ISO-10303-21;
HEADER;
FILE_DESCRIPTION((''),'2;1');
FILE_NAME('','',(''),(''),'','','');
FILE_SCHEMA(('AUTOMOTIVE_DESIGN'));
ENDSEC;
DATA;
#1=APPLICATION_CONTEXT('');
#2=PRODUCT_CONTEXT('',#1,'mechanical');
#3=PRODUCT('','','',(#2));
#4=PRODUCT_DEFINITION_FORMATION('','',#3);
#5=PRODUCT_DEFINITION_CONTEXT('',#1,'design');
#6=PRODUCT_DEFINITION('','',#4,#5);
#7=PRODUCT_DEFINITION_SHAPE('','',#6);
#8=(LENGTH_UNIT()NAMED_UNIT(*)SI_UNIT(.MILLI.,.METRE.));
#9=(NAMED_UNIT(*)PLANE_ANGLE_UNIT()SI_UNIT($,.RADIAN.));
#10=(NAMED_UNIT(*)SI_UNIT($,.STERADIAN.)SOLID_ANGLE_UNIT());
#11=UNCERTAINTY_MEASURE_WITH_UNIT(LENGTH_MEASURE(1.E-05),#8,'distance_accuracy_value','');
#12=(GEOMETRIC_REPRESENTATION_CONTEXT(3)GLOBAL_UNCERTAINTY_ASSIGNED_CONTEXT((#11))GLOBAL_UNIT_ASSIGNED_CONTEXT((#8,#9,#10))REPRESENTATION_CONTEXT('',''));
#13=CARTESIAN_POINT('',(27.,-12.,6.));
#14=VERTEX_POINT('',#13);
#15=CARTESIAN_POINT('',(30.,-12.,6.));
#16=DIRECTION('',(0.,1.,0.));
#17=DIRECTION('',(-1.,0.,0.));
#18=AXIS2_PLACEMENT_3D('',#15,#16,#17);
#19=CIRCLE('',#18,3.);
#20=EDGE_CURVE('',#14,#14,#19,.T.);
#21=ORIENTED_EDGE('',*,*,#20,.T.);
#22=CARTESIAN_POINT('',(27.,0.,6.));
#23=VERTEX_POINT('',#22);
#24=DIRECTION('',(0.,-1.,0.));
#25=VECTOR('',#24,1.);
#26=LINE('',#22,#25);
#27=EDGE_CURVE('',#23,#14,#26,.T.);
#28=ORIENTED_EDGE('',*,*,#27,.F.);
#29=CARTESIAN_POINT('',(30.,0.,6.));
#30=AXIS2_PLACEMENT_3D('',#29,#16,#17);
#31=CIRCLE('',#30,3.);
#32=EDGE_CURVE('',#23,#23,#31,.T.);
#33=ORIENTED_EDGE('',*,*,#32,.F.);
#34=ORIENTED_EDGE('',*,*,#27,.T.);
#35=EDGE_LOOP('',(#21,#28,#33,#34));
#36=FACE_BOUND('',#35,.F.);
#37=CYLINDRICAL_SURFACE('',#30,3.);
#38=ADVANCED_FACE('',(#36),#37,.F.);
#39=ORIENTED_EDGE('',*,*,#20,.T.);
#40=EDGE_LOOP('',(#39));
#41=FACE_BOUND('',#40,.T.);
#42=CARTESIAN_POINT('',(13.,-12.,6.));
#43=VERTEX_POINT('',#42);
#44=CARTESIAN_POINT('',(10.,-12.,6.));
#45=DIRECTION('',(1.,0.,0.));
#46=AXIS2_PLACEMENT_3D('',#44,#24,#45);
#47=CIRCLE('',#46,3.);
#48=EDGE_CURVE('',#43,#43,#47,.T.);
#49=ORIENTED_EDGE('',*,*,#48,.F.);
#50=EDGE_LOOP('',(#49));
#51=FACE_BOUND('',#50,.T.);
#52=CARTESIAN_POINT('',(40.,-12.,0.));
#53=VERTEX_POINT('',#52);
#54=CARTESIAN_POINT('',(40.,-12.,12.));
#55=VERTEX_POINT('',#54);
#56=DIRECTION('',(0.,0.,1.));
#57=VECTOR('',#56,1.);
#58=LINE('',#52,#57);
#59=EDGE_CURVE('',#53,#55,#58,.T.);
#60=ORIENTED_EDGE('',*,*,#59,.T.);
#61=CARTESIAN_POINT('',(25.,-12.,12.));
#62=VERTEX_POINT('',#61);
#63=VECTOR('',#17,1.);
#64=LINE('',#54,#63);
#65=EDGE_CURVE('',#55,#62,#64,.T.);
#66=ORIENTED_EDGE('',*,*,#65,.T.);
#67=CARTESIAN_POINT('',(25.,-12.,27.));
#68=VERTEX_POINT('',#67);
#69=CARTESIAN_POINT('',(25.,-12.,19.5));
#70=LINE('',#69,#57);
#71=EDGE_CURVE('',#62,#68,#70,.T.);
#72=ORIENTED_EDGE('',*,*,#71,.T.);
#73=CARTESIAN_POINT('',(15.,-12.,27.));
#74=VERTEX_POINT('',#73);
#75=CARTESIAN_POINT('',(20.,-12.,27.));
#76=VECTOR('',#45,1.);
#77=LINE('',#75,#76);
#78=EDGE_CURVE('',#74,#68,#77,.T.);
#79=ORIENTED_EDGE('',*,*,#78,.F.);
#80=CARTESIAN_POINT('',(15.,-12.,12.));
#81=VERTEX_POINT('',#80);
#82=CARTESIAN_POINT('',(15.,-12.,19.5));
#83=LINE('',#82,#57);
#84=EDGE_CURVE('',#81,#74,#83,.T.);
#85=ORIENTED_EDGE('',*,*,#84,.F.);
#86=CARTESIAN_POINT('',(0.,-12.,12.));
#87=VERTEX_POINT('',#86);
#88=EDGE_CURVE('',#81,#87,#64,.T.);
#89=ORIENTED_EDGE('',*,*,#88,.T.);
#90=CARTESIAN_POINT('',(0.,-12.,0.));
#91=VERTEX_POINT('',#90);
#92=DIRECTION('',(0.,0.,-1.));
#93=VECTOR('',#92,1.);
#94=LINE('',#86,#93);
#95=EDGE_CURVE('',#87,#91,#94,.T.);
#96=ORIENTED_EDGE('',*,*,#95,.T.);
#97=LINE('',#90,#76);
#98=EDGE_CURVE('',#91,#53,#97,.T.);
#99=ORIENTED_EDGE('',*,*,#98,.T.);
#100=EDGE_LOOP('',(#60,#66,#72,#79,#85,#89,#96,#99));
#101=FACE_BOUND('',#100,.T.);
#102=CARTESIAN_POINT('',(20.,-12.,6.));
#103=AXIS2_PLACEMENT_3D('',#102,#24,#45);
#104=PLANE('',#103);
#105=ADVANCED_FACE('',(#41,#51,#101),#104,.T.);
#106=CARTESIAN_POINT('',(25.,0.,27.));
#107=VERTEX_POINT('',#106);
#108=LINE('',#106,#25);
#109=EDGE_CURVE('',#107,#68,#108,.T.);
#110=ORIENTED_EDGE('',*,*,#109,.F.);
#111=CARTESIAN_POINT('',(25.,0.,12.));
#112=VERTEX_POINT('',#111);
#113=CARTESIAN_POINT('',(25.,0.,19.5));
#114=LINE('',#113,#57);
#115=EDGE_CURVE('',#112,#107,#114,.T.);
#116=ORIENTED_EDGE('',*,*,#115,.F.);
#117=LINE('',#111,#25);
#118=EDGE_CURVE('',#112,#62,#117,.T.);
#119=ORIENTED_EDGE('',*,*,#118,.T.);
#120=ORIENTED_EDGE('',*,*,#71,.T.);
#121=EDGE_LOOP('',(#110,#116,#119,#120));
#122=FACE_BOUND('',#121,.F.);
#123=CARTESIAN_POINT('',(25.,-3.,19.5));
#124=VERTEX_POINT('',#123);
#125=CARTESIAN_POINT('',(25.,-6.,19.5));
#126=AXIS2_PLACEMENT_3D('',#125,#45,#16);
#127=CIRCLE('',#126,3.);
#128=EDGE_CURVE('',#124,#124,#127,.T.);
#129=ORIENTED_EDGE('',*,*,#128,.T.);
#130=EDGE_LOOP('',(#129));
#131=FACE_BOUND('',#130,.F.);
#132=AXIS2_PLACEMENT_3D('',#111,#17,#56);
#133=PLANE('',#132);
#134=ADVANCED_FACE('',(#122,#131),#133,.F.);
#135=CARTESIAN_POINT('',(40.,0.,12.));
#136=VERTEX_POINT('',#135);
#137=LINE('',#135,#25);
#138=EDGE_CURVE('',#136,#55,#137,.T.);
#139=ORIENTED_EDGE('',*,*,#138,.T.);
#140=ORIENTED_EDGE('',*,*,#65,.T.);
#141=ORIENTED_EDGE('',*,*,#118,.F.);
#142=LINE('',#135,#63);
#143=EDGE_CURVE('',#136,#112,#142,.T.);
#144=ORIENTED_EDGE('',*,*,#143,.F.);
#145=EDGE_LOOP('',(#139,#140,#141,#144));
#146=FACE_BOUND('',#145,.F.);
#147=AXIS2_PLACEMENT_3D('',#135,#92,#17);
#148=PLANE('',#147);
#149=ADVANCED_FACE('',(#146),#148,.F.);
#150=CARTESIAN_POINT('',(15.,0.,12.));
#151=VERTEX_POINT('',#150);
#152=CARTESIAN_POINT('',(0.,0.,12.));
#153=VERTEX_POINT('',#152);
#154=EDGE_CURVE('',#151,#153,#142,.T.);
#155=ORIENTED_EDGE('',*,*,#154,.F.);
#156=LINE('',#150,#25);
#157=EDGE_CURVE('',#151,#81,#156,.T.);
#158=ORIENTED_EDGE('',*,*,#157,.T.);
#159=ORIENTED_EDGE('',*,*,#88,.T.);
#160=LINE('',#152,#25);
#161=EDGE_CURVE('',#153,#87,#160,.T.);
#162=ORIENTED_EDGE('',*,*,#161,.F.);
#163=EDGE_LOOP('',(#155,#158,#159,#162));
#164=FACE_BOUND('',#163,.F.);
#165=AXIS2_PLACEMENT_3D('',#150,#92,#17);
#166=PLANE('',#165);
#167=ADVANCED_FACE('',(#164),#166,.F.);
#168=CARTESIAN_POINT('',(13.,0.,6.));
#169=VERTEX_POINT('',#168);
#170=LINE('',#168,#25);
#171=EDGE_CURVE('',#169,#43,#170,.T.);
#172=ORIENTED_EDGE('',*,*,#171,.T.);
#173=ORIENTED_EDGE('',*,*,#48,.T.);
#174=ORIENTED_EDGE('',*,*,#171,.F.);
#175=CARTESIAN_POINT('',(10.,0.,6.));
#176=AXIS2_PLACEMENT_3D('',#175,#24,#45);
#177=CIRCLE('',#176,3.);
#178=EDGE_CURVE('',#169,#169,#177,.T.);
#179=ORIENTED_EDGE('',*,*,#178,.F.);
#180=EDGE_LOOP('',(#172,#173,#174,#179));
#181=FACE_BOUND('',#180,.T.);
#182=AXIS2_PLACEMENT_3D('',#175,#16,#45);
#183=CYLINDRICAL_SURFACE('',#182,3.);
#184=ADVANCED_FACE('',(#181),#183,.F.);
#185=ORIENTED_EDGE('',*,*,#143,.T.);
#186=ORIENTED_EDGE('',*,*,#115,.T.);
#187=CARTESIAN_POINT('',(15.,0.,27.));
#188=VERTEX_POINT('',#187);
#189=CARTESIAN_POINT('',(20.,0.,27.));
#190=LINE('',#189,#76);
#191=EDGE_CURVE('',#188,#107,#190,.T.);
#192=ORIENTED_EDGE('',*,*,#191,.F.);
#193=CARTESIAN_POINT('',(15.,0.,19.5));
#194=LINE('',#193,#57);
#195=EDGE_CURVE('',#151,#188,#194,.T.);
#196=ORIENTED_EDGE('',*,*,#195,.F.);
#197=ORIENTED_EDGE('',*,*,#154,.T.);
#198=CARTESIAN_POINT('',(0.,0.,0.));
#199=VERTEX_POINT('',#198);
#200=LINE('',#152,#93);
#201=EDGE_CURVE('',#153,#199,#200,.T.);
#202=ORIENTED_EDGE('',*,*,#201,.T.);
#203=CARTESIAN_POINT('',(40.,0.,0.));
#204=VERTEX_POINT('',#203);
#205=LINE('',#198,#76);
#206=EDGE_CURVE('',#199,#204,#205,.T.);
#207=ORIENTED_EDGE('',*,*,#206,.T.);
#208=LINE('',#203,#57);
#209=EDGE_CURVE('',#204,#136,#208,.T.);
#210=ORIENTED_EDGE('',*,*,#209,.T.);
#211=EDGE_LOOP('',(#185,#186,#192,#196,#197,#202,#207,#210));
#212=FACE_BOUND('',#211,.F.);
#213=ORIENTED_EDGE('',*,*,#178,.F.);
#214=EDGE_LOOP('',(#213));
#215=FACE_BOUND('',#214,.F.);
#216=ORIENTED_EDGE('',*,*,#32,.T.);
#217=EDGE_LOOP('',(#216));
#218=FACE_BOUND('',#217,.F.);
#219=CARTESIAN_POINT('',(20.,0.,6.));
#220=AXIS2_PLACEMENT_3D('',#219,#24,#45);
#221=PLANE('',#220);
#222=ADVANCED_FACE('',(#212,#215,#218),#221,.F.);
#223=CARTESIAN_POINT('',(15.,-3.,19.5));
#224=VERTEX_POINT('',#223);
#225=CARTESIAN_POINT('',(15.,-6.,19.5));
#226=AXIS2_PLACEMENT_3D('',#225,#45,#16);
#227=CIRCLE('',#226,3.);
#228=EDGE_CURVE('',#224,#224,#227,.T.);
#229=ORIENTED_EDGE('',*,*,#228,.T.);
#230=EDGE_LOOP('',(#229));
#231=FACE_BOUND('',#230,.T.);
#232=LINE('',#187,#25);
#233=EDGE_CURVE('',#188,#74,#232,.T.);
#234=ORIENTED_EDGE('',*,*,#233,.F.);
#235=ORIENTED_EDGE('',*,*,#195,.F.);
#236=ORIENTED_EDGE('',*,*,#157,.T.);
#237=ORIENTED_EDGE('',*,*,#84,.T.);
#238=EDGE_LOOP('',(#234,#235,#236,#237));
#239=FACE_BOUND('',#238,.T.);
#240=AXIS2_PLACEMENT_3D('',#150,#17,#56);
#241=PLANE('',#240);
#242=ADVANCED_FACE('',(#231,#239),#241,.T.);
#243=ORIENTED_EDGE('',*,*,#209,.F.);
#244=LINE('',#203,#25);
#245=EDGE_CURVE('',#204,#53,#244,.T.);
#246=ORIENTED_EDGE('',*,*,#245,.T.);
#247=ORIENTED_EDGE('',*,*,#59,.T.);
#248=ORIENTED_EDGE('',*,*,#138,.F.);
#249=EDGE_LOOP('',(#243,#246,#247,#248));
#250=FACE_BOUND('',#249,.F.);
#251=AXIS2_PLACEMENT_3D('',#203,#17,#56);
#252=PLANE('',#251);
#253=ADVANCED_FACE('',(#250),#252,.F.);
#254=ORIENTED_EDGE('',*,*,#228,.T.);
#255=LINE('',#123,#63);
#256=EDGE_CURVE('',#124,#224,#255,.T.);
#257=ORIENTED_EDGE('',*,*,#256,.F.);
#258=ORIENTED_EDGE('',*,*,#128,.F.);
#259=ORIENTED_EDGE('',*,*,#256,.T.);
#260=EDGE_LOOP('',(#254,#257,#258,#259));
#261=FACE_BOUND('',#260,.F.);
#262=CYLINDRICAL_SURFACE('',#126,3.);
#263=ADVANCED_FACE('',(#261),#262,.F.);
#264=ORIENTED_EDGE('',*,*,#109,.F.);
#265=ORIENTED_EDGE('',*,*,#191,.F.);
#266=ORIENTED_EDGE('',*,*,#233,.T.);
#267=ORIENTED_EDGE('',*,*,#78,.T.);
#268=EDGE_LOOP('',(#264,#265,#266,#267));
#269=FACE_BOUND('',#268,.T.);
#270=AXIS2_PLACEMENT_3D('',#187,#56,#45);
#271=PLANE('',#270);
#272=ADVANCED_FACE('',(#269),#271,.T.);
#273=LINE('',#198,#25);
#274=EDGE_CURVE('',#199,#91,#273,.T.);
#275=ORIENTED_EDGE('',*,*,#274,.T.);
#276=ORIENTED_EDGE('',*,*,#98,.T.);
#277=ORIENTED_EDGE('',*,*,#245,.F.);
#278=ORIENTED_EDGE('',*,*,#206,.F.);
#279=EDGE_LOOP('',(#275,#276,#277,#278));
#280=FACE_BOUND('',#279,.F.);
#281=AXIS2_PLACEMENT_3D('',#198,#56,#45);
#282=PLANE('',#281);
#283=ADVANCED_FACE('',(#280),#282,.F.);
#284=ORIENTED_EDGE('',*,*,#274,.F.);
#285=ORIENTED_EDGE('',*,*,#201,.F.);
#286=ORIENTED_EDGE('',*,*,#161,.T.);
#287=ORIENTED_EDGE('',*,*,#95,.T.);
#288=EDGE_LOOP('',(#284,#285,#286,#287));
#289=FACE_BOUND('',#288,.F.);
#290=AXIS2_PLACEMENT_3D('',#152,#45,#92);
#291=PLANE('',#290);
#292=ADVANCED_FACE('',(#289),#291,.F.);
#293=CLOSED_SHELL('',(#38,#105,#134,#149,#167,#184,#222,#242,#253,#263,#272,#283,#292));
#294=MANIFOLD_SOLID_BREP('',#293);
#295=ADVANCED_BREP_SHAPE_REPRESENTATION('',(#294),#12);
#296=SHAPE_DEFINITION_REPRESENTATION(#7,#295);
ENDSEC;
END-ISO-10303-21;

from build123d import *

# Parameters (mm, degrees)
F0_R     = 3
F0_W     = 10
F0_H     = 15
F1_DEPTH = 12
F2_R     = 3
F3_DEPTH = 25


with BuildPart() as f1:
    # F0 (on Front) → F1 (new body)
    with BuildSketch(Plane.XZ):
        Polygon((0, 12), (0, 0), (40, 0), (40, 12), (25, 12), (15, 12), align=None)
        with Locations((10, 6)):
            Circle(F0_R, mode=Mode.SUBTRACT)
        with BuildLine():
            ThreePointArc((33, 6), (30, 3), (27, 6))
            ThreePointArc((27, 6), (30, 9), (33, 6))
        make_face(mode=Mode.SUBTRACT)
        with Locations((20, 19.5)):
            Rectangle(F0_W, F0_H)
    extrude(amount=F1_DEPTH)

    # F2 (on face) → F3 (cut)
    with BuildSketch(Plane.YZ.offset(25)):
        with Locations((-6, 19.5)):
            Circle(F2_R)
    extrude(amount=-F3_DEPTH, mode=Mode.SUBTRACT)


solid = f1.part
